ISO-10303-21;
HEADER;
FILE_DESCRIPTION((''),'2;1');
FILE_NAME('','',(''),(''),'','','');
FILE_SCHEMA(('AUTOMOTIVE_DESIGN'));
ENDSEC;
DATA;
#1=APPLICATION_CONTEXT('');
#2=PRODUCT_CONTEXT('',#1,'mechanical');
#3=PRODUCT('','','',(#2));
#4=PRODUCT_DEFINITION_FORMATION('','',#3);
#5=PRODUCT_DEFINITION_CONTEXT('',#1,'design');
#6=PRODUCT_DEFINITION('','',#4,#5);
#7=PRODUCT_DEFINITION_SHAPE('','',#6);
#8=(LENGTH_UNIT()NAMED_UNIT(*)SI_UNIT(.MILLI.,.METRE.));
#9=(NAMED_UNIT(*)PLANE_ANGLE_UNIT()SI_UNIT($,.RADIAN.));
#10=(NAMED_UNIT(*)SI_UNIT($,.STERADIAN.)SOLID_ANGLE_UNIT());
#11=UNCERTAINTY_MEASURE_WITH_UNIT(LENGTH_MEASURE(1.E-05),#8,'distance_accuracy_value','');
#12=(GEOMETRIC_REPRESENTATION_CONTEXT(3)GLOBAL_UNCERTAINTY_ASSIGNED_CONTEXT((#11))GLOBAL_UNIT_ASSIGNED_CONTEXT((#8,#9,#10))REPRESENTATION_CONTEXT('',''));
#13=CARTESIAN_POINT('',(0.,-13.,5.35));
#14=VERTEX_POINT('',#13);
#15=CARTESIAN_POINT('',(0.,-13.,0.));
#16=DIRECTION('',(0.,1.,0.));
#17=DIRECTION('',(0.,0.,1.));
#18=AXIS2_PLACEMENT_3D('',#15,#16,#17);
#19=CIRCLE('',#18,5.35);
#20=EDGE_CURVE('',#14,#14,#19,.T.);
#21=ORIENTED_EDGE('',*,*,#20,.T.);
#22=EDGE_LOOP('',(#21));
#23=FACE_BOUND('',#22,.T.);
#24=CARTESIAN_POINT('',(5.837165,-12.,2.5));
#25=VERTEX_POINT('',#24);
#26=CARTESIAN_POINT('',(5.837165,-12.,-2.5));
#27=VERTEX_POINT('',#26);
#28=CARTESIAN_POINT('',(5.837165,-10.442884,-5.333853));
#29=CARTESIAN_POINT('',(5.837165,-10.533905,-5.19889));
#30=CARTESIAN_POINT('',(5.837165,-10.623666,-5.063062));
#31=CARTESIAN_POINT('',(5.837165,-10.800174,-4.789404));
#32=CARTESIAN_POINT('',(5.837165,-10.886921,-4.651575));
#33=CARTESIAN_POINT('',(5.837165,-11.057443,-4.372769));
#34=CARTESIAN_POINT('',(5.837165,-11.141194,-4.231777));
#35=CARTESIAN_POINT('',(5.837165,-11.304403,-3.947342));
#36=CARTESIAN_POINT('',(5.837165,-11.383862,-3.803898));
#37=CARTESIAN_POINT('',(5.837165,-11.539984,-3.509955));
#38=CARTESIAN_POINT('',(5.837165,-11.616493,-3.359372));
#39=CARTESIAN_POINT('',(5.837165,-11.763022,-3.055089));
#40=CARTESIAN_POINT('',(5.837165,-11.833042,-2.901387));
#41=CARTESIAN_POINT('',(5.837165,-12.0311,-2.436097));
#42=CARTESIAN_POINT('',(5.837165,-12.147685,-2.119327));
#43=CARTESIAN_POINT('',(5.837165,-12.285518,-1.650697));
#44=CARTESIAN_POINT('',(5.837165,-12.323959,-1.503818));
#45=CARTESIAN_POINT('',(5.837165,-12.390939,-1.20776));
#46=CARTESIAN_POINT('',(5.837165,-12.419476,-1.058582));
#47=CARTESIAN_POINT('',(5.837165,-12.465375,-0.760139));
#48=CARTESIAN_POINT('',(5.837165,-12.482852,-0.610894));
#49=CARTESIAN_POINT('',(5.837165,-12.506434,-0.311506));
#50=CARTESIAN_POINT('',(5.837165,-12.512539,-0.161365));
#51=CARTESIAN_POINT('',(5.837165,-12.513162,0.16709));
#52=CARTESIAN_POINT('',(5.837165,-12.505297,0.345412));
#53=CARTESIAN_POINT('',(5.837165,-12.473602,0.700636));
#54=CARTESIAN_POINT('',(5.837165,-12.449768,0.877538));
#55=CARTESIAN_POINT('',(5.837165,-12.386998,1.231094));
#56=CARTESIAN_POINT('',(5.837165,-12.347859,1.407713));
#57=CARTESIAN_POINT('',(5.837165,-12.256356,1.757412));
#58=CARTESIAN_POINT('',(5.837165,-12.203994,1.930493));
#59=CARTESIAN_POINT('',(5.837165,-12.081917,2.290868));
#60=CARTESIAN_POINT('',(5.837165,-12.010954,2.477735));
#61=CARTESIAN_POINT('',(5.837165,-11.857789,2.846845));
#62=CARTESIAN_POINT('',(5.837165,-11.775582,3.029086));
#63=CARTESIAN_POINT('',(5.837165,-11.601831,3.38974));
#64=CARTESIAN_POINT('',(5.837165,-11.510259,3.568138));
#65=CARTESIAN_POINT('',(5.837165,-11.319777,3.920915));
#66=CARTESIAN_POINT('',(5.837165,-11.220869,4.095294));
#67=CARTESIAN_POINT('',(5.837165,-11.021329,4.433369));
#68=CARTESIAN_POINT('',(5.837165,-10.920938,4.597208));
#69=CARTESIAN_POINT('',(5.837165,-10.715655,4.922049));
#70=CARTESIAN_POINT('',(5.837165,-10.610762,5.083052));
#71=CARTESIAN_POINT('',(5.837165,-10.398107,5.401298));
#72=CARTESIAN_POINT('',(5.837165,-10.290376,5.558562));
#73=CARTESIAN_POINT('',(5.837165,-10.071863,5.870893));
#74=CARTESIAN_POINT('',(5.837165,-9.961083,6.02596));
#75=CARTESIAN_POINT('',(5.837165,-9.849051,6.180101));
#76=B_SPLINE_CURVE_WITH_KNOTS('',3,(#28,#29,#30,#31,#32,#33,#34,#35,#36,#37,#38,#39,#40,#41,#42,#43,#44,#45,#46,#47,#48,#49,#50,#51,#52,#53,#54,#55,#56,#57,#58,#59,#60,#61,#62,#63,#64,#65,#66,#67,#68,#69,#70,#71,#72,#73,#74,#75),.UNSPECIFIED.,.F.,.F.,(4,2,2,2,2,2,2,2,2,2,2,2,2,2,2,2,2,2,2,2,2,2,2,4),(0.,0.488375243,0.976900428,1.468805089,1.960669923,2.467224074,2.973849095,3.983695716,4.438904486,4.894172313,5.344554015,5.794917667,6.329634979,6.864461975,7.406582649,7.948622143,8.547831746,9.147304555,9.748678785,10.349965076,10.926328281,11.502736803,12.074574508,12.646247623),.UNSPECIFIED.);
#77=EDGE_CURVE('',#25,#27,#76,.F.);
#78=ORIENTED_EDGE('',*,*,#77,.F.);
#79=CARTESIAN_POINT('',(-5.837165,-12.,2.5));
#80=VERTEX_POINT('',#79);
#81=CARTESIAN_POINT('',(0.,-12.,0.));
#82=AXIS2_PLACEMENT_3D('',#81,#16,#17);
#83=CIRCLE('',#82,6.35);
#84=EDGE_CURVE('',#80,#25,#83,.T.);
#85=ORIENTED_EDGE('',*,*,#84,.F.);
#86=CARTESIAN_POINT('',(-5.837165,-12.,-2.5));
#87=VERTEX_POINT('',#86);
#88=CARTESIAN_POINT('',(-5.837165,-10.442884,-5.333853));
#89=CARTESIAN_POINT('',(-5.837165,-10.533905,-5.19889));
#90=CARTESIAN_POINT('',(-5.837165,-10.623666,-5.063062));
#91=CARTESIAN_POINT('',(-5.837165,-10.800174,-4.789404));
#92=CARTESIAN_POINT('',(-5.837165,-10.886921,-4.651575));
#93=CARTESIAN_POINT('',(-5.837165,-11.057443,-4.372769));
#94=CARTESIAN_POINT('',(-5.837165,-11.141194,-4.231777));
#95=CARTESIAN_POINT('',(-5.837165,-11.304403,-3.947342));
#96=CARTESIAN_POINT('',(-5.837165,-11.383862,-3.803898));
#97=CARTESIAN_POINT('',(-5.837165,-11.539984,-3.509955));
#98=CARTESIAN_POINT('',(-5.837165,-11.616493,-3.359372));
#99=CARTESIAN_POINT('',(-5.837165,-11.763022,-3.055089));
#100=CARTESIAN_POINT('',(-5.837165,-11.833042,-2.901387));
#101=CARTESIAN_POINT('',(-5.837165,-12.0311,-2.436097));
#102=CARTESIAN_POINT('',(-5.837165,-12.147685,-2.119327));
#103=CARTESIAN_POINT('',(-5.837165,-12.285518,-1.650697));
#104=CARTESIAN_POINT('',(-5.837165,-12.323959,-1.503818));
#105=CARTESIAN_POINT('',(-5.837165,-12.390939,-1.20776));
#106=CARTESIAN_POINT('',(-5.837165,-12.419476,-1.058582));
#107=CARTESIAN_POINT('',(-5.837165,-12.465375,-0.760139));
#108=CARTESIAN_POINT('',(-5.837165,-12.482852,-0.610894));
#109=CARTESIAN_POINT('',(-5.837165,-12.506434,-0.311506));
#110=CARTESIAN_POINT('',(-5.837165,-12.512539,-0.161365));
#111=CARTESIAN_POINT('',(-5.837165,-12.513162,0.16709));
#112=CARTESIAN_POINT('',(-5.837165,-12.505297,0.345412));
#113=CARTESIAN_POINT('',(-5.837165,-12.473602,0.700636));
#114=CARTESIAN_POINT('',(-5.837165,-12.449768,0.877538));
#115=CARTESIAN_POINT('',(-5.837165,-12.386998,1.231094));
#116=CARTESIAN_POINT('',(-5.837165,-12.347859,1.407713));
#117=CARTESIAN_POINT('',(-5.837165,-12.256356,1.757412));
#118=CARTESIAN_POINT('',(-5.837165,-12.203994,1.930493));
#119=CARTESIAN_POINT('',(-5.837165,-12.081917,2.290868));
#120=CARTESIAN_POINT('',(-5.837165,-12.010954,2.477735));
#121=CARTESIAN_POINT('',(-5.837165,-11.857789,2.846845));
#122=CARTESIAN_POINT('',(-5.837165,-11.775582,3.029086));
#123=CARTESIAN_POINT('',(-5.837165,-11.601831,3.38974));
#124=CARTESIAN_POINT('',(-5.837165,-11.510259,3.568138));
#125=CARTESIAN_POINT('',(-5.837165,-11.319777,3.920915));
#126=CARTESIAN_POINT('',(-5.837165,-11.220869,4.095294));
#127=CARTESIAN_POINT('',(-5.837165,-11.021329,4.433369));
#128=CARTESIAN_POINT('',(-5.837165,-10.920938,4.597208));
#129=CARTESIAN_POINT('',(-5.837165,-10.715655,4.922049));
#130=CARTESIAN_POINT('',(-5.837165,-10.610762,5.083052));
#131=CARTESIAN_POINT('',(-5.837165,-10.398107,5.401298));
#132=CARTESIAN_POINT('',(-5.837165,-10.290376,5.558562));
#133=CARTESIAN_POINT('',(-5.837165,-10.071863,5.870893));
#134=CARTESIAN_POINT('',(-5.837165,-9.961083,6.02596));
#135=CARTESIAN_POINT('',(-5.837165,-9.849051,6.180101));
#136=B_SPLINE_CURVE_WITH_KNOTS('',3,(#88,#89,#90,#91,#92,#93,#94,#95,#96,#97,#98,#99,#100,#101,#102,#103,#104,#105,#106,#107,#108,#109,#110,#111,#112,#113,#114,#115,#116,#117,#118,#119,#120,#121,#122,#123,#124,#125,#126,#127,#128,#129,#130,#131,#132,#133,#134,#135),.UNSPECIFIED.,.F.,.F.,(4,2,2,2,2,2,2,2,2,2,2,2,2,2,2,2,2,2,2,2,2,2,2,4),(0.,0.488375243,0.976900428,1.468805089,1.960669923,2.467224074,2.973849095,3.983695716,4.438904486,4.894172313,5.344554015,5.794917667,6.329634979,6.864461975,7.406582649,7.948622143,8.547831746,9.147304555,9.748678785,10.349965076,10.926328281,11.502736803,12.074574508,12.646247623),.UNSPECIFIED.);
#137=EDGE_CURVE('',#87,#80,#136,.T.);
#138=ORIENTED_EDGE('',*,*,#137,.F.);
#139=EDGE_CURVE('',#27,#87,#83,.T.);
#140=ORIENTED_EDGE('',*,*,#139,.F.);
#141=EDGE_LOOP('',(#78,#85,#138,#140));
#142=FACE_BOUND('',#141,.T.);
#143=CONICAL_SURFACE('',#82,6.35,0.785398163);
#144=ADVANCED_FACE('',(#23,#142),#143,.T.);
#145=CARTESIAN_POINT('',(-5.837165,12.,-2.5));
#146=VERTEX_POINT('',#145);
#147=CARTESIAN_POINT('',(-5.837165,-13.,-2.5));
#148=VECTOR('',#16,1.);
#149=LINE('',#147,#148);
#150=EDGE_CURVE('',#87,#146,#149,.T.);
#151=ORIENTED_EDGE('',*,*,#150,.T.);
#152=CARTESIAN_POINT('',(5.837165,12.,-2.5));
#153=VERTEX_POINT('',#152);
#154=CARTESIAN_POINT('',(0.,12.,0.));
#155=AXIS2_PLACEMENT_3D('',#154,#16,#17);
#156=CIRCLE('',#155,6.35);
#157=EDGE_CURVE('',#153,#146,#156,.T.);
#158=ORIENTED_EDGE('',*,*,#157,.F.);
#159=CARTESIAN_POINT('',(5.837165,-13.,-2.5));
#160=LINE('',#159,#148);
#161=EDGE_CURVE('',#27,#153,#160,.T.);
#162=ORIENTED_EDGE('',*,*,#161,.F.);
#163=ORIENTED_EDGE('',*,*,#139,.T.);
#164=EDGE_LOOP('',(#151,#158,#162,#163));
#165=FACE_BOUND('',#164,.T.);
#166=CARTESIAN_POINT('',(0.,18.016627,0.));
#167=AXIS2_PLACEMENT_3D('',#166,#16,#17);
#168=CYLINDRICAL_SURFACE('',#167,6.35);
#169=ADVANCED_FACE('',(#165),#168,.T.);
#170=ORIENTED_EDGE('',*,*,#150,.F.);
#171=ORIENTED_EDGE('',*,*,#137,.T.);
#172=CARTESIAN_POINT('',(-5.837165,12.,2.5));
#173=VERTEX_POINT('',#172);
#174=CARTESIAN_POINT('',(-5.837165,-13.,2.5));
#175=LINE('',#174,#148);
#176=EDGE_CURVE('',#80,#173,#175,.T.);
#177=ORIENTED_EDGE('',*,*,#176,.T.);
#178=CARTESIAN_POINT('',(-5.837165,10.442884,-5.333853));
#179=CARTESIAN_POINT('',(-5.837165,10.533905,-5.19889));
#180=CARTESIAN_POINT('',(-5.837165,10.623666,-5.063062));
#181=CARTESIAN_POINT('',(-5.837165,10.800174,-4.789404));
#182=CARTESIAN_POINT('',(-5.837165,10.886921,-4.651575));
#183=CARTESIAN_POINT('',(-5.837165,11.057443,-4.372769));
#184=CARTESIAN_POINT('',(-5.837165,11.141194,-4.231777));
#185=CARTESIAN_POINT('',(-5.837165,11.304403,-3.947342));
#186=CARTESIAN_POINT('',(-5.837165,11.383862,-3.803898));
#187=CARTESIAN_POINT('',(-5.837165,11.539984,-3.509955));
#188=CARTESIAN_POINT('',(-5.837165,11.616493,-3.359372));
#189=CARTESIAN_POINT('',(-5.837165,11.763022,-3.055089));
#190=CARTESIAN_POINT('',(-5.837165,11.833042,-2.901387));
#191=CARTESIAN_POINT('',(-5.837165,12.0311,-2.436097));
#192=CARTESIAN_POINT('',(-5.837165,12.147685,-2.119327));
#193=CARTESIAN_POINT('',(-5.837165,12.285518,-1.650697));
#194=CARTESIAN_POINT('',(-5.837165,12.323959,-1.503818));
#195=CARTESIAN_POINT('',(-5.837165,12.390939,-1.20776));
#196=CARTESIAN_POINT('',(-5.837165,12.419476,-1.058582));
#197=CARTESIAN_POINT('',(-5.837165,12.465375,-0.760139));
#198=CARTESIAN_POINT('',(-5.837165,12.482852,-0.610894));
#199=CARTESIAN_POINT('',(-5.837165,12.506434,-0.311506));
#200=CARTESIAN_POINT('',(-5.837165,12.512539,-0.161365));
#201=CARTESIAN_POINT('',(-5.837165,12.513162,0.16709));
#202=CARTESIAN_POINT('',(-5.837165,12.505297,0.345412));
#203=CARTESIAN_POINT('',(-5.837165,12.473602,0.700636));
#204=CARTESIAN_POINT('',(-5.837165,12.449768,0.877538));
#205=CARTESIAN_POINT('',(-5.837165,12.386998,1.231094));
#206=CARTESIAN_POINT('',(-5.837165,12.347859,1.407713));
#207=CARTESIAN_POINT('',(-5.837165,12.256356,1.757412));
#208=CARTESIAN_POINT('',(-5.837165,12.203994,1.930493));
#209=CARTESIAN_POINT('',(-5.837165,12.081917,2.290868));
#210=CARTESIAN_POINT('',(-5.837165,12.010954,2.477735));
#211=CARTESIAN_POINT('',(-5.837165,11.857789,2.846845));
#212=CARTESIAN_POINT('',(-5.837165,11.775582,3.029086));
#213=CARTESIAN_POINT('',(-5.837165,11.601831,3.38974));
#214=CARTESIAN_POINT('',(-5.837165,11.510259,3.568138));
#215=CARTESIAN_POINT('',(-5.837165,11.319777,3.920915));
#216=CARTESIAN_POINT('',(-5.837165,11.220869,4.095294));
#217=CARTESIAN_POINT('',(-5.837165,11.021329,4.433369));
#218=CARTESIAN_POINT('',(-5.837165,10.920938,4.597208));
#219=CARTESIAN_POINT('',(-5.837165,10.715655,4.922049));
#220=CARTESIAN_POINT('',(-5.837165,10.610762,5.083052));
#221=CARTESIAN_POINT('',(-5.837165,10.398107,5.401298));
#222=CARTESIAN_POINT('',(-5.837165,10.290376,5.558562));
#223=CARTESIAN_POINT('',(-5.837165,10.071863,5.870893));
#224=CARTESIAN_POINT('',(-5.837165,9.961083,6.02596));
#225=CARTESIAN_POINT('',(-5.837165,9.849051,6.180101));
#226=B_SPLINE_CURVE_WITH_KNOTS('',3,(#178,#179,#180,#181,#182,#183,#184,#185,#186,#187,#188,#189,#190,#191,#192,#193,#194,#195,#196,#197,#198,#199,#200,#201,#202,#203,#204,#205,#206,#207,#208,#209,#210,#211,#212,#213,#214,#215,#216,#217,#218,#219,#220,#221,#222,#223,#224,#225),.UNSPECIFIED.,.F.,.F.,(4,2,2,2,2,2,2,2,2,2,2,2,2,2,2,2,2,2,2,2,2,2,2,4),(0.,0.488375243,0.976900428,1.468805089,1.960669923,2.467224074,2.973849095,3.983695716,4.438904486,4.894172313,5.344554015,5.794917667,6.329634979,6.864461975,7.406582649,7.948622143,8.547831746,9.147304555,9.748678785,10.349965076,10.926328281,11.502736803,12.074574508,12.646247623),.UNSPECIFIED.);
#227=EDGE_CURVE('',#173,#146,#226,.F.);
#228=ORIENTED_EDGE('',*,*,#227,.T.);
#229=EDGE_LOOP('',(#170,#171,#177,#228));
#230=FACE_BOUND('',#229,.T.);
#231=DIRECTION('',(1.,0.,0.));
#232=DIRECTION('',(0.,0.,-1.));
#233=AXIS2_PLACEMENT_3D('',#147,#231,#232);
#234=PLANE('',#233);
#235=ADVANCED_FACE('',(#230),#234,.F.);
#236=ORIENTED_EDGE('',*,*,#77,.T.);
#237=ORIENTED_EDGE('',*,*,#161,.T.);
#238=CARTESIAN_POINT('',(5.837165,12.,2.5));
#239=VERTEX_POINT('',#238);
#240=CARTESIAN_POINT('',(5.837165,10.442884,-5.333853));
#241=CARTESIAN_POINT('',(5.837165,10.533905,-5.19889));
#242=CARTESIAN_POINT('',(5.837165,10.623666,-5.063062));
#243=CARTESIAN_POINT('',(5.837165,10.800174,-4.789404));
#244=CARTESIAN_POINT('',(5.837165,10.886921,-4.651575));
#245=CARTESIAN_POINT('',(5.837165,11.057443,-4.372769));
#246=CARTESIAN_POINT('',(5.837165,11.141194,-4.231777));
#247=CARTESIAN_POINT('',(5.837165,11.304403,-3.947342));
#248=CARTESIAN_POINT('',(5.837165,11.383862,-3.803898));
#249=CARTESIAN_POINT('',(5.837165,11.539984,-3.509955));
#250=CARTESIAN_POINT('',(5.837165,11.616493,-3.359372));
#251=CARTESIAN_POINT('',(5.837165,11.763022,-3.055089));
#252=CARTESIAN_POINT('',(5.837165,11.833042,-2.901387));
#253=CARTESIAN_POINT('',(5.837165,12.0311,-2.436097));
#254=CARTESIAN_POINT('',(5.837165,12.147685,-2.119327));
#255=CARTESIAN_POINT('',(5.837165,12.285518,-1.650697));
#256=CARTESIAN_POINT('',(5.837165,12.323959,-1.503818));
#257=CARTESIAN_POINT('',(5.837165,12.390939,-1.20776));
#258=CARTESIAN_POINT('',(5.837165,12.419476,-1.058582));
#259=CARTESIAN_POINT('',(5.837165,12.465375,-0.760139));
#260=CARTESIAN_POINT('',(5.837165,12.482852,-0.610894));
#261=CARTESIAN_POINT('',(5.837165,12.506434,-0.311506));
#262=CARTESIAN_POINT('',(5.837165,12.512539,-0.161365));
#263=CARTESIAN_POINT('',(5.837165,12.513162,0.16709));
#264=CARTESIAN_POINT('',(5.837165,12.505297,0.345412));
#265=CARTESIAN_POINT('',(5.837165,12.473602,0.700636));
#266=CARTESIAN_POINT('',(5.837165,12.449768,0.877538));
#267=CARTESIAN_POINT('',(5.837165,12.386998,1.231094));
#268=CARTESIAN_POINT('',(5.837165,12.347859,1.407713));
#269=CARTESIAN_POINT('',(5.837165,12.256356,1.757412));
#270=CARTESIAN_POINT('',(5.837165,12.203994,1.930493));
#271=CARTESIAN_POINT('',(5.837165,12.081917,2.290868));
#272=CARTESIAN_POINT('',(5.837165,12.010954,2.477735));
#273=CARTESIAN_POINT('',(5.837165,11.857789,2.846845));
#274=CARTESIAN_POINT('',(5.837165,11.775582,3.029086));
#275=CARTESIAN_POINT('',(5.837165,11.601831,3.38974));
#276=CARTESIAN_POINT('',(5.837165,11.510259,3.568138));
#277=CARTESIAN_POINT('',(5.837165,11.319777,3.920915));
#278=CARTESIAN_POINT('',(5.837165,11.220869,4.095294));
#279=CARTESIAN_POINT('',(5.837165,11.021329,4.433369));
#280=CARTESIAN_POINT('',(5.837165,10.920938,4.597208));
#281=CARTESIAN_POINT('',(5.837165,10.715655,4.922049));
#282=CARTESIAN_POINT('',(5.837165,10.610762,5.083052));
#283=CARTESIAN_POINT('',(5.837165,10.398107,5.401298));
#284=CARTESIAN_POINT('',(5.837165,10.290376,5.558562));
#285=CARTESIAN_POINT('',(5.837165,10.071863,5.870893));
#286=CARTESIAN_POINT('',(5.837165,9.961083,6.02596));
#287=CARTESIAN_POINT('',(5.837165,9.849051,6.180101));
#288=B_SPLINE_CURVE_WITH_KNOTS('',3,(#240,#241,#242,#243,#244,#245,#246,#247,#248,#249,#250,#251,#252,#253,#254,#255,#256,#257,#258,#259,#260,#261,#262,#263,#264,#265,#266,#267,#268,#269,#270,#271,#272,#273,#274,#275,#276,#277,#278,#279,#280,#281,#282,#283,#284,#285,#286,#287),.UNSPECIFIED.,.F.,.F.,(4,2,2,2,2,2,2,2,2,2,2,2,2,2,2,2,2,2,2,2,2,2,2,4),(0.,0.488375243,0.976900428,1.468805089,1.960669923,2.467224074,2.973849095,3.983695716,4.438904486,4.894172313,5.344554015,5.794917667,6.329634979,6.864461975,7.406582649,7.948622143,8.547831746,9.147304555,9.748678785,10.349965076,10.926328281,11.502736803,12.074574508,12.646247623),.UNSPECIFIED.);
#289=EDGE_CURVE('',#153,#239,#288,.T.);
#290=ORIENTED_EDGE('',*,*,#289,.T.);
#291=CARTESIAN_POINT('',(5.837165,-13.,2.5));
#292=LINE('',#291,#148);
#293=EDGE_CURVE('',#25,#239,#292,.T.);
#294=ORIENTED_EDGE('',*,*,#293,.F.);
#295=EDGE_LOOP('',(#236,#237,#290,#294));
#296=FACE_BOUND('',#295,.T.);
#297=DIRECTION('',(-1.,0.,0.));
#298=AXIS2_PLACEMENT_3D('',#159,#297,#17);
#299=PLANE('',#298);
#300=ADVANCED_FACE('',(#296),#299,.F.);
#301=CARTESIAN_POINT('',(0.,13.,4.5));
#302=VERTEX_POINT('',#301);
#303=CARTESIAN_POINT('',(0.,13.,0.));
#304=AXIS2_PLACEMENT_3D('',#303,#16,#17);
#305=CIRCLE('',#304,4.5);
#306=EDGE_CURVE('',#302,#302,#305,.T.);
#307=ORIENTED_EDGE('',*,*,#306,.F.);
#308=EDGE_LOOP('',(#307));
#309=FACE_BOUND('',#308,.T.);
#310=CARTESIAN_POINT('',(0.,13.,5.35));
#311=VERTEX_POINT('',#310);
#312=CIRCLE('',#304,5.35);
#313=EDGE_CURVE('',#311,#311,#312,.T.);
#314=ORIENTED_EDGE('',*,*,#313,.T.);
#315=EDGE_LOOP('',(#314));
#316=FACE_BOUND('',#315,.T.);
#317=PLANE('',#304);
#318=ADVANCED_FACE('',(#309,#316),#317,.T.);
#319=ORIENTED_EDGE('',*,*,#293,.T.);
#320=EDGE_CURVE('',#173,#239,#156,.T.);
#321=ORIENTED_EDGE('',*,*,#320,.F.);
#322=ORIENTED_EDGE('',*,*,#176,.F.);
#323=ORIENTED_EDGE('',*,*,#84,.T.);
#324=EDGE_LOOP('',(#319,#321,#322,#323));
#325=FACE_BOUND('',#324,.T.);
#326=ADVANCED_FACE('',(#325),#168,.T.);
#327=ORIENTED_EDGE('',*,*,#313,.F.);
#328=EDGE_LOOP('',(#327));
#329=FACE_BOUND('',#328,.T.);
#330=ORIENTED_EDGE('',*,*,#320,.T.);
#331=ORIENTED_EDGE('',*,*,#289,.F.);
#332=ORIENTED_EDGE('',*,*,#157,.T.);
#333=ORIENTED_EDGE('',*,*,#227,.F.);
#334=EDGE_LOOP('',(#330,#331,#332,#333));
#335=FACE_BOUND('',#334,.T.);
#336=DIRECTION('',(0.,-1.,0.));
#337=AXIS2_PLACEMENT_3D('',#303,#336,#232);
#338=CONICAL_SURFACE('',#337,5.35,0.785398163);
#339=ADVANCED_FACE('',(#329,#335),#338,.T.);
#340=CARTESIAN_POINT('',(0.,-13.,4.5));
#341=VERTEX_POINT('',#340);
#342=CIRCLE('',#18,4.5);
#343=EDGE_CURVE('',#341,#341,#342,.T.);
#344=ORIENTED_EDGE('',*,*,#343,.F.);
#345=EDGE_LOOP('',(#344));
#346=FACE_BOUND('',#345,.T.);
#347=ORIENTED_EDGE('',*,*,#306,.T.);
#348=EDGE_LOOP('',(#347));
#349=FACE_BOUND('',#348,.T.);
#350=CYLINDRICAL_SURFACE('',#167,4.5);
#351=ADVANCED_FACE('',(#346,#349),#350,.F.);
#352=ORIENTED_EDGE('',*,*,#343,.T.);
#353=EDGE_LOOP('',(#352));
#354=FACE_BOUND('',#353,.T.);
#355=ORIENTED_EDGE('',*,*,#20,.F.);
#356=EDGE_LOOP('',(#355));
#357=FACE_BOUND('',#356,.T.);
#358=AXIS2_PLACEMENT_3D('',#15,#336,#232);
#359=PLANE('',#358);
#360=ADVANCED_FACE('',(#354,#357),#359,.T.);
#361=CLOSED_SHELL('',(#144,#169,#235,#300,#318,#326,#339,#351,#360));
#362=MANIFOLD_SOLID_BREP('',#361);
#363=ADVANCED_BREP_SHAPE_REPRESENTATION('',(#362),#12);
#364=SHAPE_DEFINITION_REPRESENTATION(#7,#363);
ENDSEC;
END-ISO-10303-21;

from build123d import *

# Parameters (mm, degrees)
CUT_EXTRUDE1_DEPTH      = 16.800158227
CUT_EXTRUDE1_DEPTH_BACK = 16.800158227
SKETCH2_W               = 6.200894729
SKETCH2_H               = 5
SKETCH2_W_2             = 7.80745867


with BuildPart() as part:
    # Sketch1 → Revolve1 (revolve)
    with BuildSketch(Plane.XY, mode=Mode.PRIVATE) as revolve1_sk:
        Polygon((-4.5, 13), (-5.35, 13), (-6.35, 12), (-6.35, -12), (-5.35, -13), (-4.5, -13), align=None)
    revolve(revolve1_sk.sketch.rotate(Axis((0, 18.016627358, 0), (0, -1, 0)), 270), axis=Axis((0, 18.016627358, 0), (0, -1, 0)))

    # Sketch2 → Cut-Extrude1 (cut, two sides: drawn at the far end of the back side and taken through both)
    with BuildSketch(Plane(origin=(0, 0, 0), x_dir=(1, 0, 0), z_dir=(0, 1, 0)).offset(-CUT_EXTRUDE1_DEPTH_BACK)):
        with Locations((-8.937612772, 0)):
            Rectangle(SKETCH2_W, SKETCH2_H)
        with Locations((9.740894743, 0)):
            Rectangle(SKETCH2_W_2, SKETCH2_H)
    extrude(amount=CUT_EXTRUDE1_DEPTH + CUT_EXTRUDE1_DEPTH_BACK, mode=Mode.SUBTRACT)


solid = part.part
